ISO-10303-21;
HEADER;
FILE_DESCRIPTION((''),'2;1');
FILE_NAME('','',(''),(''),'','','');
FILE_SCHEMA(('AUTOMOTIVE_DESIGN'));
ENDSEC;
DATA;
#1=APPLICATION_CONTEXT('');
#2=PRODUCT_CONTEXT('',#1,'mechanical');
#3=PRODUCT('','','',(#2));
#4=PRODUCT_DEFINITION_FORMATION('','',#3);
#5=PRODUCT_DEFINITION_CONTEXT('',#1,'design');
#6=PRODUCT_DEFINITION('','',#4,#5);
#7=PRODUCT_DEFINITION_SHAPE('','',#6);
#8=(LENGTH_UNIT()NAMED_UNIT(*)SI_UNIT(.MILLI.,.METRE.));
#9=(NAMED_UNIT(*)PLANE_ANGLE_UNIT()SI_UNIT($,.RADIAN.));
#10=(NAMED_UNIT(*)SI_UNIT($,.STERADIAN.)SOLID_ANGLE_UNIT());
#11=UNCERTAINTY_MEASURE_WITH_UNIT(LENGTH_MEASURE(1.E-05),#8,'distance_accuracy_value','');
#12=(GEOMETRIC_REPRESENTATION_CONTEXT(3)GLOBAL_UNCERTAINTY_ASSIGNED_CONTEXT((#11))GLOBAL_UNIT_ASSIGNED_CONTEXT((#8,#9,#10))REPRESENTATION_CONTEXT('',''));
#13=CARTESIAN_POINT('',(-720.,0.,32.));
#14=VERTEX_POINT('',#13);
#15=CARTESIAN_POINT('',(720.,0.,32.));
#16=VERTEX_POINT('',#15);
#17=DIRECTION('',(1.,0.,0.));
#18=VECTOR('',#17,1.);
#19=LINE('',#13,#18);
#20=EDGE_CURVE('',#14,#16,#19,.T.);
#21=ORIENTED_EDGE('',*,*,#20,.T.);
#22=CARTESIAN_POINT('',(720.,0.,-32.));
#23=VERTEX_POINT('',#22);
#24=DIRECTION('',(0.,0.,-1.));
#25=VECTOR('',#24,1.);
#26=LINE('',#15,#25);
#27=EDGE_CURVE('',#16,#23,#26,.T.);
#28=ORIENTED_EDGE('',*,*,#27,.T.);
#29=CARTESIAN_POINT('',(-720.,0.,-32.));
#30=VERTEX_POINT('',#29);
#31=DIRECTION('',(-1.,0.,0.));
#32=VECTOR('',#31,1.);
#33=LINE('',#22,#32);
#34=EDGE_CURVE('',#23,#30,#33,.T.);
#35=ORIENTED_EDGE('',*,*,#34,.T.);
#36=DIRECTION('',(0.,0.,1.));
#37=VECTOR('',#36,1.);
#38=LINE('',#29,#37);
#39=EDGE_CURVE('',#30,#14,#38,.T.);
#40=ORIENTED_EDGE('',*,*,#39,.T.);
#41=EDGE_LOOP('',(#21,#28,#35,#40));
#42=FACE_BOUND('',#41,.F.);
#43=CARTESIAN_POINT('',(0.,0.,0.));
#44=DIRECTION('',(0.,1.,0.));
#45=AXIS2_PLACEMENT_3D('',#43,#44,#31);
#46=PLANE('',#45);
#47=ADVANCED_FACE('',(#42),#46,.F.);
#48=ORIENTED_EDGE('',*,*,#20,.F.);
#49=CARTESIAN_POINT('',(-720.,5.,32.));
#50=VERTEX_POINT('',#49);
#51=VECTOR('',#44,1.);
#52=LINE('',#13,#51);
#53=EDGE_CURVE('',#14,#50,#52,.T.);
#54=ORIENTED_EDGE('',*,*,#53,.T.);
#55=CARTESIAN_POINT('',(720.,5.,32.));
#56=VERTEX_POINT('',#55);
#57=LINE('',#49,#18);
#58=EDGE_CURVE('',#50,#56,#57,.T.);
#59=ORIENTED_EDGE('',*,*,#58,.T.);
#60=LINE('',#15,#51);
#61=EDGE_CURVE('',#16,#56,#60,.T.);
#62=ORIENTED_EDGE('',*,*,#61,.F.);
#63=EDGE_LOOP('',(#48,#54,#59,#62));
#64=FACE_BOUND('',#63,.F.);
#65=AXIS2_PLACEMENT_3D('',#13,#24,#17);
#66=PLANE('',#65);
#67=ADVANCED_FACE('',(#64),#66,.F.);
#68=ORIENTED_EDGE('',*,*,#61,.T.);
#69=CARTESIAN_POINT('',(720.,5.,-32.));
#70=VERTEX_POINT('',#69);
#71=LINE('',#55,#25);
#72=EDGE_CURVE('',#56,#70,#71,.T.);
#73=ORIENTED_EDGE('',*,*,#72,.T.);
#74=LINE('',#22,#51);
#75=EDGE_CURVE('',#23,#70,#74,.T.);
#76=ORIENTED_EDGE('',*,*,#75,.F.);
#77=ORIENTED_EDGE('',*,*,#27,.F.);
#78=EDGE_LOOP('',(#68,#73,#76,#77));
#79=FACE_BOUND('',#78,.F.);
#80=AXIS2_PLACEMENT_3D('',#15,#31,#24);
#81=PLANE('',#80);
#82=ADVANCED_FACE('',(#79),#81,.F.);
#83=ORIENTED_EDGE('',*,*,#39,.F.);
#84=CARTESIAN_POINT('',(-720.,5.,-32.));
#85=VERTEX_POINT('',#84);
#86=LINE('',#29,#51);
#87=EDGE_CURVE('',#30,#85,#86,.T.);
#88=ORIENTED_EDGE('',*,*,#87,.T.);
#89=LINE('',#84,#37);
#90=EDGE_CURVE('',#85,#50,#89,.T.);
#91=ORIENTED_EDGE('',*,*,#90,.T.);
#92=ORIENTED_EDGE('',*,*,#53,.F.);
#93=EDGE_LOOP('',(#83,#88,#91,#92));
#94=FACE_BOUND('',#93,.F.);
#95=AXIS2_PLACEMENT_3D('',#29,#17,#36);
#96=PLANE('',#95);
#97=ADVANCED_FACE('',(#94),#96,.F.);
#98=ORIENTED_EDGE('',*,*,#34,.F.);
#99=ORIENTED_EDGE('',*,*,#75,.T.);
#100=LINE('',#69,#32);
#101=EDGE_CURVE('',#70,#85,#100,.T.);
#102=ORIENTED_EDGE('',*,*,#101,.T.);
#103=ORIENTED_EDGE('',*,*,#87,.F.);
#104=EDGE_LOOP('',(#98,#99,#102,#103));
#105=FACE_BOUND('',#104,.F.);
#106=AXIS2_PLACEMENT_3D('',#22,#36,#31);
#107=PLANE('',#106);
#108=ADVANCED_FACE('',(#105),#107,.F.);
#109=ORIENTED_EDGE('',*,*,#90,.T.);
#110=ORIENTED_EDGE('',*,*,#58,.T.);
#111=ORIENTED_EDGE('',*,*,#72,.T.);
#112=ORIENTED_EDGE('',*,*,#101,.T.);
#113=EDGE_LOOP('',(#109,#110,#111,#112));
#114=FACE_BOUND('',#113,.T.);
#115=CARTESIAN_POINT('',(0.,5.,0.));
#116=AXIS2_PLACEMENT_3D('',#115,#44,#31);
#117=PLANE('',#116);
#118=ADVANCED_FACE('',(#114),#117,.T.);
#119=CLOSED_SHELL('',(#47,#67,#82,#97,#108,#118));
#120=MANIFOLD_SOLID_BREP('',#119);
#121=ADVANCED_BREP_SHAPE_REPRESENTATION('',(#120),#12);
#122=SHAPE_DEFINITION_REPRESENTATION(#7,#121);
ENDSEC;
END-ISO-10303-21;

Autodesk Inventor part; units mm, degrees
ref_plane "YZ Plane" through (0, 0, 0) normal (1, 0, 0) x (0, 1, 0)
ref_plane "XZ Plane" through (0, 0, 0) normal (0, 1, 0) x (-1, 0, 0)
ref_plane "XY Plane" through (0, 0, 0) normal (0, 0, 1) x (1, 0, 0)
sketch "Эскиз1" plane through (0, 0, 0) normal (0, 1, 0) x (-1, 0, 0)
  line L0 (720, 32) -> (-720, 32)
  line L1 (-720, 32) -> (-720, -32)
  line L2 (-720, -32) -> (720, -32)
  line L3 (720, -32) -> (720, 32)
  line L4 (720, 32) -> (-720, -32) construction
  line L5 (-720, 32) -> (720, -32) construction
  point P0 (0, 0)
  dimension "d0" = 1440
  dimension "d1" = 64
extrude "Пластина1" add sketch "Эскиз1" along normal blind 5
equation "\"d2\" = Толщина"
equation "\"Радиус_гибки\" = Толщина"
equation "\"Ширина_просечки\" = Толщина"
equation "\"Глубина_просечки\" = 0.5 * Толщина"
equation "\"Радиус_перехода\" = Радиус_гибки"
equation "\"Радиус_Якоби\" = Радиус_гибки"
equation "\"Размер_зазора\" = Толщина"
equation "\"Толщина\" = 5"
properties part number "0932"
